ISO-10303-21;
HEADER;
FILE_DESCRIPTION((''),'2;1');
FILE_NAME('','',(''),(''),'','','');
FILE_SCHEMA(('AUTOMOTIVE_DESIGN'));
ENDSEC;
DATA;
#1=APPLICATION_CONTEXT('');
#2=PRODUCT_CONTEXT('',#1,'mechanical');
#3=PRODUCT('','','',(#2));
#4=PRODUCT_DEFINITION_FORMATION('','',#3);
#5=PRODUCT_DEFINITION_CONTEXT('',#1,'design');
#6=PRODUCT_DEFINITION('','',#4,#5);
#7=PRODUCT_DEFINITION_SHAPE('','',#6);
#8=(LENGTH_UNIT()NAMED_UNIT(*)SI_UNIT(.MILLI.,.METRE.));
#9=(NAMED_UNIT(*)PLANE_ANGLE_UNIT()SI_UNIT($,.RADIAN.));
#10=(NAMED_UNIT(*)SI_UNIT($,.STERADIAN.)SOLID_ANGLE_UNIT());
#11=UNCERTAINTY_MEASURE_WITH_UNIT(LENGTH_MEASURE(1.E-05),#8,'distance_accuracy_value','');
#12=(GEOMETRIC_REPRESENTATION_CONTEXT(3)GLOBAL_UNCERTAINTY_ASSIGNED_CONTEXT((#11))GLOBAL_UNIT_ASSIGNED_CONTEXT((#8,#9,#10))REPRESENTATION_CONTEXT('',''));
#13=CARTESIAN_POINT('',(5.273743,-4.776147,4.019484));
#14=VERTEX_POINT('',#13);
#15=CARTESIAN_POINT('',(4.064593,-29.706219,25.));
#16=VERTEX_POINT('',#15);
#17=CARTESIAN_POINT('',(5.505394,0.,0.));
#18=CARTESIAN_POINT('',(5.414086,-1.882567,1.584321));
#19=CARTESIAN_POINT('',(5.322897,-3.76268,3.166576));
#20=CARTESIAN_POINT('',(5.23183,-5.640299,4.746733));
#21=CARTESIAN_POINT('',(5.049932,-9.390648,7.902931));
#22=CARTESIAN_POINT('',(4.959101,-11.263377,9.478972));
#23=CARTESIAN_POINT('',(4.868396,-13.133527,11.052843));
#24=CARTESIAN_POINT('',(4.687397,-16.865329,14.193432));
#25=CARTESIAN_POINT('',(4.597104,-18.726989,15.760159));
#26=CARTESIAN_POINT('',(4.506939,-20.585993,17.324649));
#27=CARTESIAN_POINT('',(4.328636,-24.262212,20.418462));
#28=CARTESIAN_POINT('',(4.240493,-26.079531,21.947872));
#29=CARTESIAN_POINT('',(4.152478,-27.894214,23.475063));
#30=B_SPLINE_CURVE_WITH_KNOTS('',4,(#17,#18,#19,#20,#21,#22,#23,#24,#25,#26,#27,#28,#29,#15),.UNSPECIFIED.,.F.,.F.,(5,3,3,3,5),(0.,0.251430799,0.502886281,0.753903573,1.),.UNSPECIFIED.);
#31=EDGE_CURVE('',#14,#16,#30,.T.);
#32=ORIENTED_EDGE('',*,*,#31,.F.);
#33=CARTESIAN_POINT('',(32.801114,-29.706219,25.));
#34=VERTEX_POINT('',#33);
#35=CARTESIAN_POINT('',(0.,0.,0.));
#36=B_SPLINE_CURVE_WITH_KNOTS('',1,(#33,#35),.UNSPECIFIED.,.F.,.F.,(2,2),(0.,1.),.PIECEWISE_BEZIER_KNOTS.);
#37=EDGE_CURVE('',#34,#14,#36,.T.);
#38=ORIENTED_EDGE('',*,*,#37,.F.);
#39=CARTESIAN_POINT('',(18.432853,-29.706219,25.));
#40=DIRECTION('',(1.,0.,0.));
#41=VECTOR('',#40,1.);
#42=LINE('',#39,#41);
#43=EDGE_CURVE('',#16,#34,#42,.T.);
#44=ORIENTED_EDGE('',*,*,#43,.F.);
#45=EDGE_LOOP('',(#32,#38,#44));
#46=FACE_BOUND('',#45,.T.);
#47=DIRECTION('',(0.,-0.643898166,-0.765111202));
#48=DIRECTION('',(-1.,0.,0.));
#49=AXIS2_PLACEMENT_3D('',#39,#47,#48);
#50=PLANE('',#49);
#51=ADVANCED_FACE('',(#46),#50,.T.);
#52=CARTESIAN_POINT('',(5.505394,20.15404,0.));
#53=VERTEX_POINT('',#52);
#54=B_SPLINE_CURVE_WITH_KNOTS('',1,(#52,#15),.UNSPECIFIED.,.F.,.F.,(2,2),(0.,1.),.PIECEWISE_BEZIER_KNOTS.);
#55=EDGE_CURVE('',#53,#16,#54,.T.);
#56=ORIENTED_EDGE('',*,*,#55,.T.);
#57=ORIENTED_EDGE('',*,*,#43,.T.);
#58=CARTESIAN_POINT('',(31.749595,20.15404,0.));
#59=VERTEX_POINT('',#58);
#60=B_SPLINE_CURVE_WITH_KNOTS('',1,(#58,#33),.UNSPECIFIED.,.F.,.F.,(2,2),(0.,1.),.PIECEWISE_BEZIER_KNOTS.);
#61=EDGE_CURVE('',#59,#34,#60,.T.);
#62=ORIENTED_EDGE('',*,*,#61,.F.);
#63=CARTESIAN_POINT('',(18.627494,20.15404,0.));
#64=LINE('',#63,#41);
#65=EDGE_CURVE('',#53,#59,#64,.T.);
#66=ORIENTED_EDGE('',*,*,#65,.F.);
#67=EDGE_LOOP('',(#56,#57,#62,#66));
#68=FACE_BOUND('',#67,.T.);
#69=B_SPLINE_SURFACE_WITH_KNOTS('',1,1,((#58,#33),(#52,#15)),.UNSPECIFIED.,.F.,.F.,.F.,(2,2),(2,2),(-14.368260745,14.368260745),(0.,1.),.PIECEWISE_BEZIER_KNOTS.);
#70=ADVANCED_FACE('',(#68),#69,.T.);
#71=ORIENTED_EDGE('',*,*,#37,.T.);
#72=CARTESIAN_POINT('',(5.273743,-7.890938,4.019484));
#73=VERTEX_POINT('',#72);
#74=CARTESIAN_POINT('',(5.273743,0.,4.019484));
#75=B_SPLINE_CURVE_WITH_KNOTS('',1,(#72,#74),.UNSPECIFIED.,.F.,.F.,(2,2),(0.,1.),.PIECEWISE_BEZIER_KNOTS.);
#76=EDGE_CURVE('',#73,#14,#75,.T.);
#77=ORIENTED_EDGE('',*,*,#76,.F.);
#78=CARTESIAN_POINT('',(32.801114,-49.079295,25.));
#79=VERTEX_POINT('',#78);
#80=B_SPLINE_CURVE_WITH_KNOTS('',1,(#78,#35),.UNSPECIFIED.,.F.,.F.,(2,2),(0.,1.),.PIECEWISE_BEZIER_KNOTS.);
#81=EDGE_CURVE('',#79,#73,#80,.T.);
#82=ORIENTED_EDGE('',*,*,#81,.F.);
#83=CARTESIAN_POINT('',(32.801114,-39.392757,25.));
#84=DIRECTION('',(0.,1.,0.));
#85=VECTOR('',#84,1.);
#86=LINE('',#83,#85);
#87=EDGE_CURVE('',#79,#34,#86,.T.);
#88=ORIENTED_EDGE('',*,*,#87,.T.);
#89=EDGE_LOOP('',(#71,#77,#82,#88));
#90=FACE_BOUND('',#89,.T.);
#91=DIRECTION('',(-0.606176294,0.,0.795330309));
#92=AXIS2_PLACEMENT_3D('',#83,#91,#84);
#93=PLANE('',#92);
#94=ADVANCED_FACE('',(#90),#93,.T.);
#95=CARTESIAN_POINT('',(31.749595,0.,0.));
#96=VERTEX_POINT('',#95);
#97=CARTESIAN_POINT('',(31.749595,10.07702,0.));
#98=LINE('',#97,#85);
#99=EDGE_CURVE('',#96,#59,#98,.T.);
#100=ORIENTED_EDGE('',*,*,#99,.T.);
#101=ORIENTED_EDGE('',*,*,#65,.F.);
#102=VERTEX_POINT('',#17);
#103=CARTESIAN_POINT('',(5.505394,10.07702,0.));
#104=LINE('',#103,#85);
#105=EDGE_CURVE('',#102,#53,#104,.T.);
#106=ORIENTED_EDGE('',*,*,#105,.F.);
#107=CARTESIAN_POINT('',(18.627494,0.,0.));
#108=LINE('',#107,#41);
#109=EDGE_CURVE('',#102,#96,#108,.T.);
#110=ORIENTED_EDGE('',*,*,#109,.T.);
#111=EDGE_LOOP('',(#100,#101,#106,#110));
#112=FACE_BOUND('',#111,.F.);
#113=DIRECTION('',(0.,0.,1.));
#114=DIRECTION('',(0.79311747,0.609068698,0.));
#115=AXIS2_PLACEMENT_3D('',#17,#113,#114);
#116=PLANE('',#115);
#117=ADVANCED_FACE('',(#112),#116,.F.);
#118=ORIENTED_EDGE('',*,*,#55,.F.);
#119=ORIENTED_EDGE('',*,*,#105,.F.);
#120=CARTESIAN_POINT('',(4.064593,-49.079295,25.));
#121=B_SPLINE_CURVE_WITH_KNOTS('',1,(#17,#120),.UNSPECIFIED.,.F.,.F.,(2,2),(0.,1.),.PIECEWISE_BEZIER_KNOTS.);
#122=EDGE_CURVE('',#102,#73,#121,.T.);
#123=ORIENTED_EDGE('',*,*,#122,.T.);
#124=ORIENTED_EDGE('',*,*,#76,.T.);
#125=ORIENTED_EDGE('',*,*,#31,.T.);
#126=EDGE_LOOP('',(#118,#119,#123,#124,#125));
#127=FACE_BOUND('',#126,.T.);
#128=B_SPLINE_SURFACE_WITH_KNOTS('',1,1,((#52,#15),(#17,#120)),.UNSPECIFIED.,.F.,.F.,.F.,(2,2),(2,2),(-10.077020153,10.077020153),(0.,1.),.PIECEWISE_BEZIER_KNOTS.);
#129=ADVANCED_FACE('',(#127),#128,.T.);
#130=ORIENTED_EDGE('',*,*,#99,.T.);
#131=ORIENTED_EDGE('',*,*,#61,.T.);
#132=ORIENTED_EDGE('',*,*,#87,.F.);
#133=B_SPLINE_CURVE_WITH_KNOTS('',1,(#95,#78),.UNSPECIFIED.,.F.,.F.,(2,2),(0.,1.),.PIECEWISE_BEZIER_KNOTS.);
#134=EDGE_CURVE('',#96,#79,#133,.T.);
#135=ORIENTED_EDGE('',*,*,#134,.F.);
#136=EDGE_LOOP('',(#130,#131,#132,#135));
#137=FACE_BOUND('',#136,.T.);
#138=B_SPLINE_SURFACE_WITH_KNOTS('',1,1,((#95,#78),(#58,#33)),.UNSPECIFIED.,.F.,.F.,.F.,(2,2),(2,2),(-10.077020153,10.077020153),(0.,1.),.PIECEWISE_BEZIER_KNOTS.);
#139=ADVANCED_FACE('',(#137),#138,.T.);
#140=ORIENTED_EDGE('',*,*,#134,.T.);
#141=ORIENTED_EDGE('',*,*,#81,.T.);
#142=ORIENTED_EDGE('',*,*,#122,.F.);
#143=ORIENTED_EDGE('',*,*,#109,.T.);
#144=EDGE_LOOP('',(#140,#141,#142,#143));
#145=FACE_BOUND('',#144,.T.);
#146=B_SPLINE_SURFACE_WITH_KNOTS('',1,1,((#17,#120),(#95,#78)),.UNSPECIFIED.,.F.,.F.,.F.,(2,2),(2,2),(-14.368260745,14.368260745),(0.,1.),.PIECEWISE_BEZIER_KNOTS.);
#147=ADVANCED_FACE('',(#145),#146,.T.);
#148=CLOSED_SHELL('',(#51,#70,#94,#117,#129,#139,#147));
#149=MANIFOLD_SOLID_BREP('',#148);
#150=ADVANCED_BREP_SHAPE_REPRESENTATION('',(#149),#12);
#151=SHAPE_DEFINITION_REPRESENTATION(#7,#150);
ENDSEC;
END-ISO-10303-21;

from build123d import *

# Parameters (mm, degrees)
F0_W      = 26.2442012317
F0_H      = 20.1540403068
F2_W      = 28.7365214899
F2_H      = 19.3730760366
F3_FACE_W = 28.7365214899
F3_FACE_H = 19.3730760366


with BuildPart() as f3:
    # F0 (on Top) → F3 section 0
    with BuildSketch(Plane.XY):
        with Locations((18.6274943408, 10.0770201534)):
            Rectangle(F0_W, F0_H)
    # F2 (on offset) → F3 section 1
    with BuildSketch(Plane.XY.offset(25)):
        with Locations((18.4328532778, -39.3927572295)):
            Rectangle(F2_W, F2_H)
    loft()

    # F3_face (on face) → F4 section 0
    with BuildSketch(Plane(origin=(18.4328532778, -39.3927572295, 25), x_dir=(1, 0, 0), z_dir=(0, 0, 1)), mode=Mode.PRIVATE) as f4_s0:
        Rectangle(F3_FACE_W, F3_FACE_H)
    loft([f4_s0.sketch, Vertex(0, 0, 0)], mode=Mode.SUBTRACT)


solid = f3.part
